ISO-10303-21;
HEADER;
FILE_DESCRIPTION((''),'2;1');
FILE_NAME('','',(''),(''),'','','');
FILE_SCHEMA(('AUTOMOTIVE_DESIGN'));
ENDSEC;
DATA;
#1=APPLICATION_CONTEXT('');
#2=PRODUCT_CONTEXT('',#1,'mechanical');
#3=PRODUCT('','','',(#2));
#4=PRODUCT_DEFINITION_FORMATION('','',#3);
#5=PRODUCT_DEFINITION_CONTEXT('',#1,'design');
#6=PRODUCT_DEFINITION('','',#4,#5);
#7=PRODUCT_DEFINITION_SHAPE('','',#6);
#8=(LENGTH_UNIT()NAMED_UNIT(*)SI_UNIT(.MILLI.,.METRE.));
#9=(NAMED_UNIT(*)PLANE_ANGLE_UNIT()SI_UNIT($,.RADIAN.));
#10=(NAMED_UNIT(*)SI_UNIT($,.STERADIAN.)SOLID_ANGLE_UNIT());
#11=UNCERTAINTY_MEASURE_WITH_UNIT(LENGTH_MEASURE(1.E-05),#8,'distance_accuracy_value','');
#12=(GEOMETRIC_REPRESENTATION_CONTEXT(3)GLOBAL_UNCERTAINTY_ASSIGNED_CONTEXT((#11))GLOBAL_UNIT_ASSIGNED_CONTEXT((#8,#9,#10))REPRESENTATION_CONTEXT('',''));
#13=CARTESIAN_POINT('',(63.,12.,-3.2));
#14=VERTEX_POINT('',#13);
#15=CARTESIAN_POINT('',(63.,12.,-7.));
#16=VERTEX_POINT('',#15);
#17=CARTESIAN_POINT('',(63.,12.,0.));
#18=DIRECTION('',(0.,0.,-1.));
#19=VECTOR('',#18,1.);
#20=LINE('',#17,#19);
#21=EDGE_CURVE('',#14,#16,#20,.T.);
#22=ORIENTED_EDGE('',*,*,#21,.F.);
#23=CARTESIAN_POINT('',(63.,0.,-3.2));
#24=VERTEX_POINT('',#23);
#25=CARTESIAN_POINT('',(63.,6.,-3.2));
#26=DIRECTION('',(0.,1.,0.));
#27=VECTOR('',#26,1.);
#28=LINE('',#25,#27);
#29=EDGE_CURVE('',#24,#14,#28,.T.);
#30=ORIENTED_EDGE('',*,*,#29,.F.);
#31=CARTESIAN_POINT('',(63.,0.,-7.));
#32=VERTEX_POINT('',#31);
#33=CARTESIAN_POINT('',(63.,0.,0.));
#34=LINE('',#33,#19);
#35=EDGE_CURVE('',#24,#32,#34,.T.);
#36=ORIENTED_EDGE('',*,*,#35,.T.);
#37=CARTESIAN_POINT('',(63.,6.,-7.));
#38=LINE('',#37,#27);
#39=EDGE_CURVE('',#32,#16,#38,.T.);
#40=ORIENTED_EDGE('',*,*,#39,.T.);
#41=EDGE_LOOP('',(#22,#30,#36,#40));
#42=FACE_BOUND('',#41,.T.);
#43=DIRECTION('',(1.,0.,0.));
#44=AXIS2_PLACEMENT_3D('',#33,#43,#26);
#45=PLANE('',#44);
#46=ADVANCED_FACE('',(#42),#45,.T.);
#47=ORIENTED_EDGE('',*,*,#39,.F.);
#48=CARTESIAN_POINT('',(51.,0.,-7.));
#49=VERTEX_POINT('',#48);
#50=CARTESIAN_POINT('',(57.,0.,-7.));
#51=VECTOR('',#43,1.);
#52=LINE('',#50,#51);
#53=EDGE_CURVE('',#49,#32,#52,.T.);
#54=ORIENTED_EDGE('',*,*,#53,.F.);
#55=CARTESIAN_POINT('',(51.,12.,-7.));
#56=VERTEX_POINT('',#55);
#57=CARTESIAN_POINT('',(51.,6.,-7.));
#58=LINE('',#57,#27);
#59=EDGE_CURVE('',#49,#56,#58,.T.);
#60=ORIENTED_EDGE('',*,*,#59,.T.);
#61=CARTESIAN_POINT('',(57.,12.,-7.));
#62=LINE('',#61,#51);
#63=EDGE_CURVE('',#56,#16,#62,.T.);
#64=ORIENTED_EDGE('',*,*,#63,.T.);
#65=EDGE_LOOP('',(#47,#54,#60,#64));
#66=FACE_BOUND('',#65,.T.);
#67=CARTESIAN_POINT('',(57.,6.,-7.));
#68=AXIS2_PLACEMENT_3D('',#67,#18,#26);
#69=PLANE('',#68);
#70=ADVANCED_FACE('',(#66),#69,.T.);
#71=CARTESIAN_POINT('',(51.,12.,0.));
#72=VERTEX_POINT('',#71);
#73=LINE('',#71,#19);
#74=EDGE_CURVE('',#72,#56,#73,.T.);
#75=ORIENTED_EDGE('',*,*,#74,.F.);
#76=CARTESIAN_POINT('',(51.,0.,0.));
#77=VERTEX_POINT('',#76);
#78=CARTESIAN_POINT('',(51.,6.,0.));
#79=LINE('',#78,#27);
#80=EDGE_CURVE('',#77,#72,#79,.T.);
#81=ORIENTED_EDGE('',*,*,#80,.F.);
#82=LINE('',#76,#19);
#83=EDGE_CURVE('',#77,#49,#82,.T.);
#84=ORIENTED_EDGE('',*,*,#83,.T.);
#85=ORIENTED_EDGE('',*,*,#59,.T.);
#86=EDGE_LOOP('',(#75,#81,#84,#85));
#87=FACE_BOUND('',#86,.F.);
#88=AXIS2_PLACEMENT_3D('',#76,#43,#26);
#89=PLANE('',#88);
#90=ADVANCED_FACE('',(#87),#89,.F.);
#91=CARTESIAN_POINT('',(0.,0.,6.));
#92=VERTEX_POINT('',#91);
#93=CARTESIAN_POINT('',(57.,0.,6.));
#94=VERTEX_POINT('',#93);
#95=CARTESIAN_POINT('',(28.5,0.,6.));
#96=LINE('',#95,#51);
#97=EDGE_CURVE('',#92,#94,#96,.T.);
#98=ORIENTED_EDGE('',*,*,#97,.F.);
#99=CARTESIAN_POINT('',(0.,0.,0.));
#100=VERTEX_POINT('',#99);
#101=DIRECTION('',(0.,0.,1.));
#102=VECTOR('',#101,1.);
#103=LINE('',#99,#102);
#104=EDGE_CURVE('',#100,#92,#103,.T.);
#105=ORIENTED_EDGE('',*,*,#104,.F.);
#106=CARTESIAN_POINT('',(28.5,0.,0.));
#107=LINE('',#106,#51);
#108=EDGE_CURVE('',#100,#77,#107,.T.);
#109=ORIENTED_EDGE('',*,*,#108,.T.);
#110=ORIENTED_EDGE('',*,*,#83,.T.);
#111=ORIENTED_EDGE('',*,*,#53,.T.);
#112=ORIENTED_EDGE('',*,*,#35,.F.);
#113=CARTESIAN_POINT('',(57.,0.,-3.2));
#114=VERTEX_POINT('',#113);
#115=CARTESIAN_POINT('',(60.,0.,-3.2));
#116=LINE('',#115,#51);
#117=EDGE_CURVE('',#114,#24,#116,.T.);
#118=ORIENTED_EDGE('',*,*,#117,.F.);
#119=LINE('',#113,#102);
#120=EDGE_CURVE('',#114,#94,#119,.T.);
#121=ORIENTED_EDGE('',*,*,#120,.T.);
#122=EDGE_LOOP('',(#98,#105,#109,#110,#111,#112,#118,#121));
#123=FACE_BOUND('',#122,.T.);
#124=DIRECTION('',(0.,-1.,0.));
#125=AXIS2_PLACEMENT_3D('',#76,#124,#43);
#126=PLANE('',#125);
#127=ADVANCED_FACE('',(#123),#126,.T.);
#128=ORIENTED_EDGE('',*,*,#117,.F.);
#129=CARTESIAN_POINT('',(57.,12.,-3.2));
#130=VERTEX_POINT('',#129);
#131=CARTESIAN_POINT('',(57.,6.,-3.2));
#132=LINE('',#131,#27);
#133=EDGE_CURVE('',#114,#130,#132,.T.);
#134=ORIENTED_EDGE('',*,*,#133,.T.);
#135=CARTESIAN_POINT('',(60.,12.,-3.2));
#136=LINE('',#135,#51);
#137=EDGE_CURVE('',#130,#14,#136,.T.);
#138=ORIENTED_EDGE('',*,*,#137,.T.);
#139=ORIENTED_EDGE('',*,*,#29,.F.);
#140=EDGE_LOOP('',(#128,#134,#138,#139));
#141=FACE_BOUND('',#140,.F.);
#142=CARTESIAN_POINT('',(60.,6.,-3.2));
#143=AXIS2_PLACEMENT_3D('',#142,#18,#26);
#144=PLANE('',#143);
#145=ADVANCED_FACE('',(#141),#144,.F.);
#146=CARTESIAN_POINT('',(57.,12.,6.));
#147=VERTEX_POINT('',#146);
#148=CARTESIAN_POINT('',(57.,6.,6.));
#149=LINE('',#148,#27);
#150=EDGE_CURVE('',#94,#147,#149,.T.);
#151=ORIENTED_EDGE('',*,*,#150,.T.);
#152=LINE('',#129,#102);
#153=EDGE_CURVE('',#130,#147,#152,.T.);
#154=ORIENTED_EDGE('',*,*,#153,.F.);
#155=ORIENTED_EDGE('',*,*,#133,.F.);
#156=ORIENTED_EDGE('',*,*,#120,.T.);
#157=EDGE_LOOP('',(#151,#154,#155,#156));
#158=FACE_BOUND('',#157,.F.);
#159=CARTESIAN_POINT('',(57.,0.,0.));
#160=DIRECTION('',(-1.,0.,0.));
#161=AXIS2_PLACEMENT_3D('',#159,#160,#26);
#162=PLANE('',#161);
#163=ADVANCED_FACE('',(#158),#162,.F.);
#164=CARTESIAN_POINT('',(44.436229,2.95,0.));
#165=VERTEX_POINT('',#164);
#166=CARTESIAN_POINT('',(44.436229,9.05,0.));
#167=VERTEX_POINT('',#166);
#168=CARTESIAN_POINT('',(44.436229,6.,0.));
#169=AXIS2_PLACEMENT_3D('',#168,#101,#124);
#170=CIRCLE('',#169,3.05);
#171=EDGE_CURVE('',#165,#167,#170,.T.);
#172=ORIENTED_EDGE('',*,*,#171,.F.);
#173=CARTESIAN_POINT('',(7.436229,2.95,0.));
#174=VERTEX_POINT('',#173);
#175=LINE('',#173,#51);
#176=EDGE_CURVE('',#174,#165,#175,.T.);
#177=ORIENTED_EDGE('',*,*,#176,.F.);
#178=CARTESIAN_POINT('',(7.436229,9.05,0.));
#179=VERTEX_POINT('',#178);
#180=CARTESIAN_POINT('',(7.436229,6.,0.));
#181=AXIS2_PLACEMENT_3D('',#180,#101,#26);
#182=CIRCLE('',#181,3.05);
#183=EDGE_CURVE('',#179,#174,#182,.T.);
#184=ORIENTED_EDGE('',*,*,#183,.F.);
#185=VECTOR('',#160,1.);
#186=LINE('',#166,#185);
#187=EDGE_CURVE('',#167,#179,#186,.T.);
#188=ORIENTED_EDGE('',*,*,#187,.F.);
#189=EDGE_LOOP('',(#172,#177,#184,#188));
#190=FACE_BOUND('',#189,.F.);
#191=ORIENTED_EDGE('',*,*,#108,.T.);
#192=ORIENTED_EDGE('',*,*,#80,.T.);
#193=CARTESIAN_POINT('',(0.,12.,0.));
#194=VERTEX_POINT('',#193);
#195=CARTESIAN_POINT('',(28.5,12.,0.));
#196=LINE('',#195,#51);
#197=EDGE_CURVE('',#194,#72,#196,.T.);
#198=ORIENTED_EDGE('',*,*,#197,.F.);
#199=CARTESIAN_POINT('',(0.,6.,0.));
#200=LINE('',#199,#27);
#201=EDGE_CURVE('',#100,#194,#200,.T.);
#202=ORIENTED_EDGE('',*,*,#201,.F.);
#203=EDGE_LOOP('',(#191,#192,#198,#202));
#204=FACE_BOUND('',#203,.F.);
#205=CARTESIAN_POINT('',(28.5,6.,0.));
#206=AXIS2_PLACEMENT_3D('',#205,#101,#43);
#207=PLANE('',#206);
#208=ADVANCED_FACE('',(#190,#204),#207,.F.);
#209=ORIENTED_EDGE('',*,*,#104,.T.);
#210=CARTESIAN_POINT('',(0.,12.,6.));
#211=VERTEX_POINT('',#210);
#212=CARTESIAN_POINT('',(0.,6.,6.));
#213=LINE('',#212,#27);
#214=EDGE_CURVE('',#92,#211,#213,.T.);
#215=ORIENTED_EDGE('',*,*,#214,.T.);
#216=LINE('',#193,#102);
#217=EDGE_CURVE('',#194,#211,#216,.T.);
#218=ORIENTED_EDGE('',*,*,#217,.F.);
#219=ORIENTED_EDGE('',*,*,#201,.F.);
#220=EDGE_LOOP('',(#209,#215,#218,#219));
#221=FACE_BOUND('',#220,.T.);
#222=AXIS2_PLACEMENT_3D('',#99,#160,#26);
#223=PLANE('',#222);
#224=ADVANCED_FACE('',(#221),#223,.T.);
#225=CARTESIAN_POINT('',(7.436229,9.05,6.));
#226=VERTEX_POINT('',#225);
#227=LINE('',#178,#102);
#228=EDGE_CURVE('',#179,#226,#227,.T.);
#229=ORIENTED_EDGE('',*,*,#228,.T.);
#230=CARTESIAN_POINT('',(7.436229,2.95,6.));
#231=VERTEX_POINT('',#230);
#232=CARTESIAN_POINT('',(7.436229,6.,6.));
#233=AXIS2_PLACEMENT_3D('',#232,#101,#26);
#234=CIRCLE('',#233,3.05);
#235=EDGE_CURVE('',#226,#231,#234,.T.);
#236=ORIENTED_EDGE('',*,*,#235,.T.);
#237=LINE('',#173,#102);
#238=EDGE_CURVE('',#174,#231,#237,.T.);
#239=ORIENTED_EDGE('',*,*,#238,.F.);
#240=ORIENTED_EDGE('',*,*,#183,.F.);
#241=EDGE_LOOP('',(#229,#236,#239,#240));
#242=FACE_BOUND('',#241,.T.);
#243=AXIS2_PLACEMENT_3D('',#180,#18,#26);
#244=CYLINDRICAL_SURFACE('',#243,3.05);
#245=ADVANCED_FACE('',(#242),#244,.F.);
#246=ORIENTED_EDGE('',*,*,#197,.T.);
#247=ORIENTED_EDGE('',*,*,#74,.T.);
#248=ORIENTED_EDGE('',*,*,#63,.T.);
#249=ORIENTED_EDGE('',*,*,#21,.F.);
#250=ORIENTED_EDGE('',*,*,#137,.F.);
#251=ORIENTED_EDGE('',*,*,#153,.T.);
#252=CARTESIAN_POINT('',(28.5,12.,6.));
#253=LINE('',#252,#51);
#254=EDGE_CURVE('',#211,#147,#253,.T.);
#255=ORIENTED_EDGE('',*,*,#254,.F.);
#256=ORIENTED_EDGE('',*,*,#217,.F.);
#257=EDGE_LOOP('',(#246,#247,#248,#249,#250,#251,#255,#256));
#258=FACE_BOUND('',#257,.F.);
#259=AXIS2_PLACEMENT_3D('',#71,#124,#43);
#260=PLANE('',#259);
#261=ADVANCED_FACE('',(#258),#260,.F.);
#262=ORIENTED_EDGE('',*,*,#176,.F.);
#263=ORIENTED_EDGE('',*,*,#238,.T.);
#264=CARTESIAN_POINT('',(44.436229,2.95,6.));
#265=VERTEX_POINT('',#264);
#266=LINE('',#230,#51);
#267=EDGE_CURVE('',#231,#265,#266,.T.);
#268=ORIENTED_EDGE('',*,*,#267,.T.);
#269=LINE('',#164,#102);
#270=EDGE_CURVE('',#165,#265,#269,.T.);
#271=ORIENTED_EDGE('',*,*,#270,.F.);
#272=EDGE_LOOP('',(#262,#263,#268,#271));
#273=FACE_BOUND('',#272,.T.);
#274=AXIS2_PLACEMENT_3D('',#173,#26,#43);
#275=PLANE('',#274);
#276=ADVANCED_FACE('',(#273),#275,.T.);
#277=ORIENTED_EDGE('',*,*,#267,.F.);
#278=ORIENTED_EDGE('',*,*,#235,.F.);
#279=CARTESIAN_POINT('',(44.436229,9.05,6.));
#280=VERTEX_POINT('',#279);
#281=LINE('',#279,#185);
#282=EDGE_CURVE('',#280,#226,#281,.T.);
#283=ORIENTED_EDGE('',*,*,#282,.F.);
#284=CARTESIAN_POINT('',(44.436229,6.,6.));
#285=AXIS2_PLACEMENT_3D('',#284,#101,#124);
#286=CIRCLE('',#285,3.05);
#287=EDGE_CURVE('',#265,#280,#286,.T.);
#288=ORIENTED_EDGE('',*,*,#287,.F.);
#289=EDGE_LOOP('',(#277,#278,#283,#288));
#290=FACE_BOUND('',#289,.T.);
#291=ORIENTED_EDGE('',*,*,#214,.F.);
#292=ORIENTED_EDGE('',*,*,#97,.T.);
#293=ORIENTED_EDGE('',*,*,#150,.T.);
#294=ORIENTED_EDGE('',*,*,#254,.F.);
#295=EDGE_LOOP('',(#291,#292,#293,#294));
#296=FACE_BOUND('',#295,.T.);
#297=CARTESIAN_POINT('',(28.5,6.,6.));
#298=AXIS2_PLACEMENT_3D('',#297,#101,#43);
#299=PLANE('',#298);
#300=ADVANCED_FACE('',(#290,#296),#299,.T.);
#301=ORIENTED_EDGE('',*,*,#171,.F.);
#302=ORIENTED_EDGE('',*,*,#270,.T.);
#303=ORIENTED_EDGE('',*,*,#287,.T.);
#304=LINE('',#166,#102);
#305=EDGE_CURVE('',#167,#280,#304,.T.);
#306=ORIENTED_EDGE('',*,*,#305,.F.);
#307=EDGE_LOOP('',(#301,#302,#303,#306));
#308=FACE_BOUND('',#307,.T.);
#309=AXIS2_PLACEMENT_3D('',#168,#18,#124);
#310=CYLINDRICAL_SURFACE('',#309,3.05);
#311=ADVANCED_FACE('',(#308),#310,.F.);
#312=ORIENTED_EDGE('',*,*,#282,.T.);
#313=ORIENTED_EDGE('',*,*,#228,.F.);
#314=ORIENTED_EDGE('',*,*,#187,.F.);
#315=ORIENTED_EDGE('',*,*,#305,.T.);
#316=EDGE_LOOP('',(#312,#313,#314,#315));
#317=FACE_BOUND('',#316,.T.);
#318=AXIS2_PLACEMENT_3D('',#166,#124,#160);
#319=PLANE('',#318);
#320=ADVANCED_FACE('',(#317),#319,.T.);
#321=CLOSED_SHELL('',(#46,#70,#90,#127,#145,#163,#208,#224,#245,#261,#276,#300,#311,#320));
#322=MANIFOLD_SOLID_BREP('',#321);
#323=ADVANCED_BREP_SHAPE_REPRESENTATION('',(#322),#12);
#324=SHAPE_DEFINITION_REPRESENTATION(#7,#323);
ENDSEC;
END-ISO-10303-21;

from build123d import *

# Parameters (mm, degrees)
SKETCH_W     = 57
SKETCH_H     = 12
PAD_DEPTH    = 6
BOX_W        = 12
BOX_H        = 12
BOX_DEPTH    = 7
BOX001_W     = 12
BOX001_H     = 6
BOX001_DEPTH = 3.2


with BuildPart() as part:
    # Sketch → Pad (new body)
    with BuildSketch(Plane.XY):
        with Locations((28.5, 6)):
            Rectangle(SKETCH_W, SKETCH_H)
        with BuildLine():
            Line((44.436229, 9.05), (7.436229, 9.05))
            ThreePointArc((7.436229, 9.05), (4.386229, 6), (7.436229, 2.95))
            Line((7.436229, 2.95), (44.436229, 2.95))
            ThreePointArc((44.436229, 2.95), (47.486229, 6), (44.436229, 9.05))
        make_face(mode=Mode.SUBTRACT)
    extrude(amount=PAD_DEPTH)

    # Box → Box (join)
    with BuildSketch(Plane(origin=(51, 0, 0), x_dir=(0, 1, 0), z_dir=(0, 0, -1))):
        with Locations((6, 6)):
            Rectangle(BOX_W, BOX_H)
    extrude(amount=BOX_DEPTH)

    # Box001 → Box001 (cut)
    with BuildSketch(Plane(origin=(57, 0, 0), x_dir=(0, 1, 0), z_dir=(0, 0, -1))):
        with Locations((6, 3)):
            Rectangle(BOX001_W, BOX001_H)
    extrude(amount=BOX001_DEPTH, mode=Mode.SUBTRACT)


solid = part.part
